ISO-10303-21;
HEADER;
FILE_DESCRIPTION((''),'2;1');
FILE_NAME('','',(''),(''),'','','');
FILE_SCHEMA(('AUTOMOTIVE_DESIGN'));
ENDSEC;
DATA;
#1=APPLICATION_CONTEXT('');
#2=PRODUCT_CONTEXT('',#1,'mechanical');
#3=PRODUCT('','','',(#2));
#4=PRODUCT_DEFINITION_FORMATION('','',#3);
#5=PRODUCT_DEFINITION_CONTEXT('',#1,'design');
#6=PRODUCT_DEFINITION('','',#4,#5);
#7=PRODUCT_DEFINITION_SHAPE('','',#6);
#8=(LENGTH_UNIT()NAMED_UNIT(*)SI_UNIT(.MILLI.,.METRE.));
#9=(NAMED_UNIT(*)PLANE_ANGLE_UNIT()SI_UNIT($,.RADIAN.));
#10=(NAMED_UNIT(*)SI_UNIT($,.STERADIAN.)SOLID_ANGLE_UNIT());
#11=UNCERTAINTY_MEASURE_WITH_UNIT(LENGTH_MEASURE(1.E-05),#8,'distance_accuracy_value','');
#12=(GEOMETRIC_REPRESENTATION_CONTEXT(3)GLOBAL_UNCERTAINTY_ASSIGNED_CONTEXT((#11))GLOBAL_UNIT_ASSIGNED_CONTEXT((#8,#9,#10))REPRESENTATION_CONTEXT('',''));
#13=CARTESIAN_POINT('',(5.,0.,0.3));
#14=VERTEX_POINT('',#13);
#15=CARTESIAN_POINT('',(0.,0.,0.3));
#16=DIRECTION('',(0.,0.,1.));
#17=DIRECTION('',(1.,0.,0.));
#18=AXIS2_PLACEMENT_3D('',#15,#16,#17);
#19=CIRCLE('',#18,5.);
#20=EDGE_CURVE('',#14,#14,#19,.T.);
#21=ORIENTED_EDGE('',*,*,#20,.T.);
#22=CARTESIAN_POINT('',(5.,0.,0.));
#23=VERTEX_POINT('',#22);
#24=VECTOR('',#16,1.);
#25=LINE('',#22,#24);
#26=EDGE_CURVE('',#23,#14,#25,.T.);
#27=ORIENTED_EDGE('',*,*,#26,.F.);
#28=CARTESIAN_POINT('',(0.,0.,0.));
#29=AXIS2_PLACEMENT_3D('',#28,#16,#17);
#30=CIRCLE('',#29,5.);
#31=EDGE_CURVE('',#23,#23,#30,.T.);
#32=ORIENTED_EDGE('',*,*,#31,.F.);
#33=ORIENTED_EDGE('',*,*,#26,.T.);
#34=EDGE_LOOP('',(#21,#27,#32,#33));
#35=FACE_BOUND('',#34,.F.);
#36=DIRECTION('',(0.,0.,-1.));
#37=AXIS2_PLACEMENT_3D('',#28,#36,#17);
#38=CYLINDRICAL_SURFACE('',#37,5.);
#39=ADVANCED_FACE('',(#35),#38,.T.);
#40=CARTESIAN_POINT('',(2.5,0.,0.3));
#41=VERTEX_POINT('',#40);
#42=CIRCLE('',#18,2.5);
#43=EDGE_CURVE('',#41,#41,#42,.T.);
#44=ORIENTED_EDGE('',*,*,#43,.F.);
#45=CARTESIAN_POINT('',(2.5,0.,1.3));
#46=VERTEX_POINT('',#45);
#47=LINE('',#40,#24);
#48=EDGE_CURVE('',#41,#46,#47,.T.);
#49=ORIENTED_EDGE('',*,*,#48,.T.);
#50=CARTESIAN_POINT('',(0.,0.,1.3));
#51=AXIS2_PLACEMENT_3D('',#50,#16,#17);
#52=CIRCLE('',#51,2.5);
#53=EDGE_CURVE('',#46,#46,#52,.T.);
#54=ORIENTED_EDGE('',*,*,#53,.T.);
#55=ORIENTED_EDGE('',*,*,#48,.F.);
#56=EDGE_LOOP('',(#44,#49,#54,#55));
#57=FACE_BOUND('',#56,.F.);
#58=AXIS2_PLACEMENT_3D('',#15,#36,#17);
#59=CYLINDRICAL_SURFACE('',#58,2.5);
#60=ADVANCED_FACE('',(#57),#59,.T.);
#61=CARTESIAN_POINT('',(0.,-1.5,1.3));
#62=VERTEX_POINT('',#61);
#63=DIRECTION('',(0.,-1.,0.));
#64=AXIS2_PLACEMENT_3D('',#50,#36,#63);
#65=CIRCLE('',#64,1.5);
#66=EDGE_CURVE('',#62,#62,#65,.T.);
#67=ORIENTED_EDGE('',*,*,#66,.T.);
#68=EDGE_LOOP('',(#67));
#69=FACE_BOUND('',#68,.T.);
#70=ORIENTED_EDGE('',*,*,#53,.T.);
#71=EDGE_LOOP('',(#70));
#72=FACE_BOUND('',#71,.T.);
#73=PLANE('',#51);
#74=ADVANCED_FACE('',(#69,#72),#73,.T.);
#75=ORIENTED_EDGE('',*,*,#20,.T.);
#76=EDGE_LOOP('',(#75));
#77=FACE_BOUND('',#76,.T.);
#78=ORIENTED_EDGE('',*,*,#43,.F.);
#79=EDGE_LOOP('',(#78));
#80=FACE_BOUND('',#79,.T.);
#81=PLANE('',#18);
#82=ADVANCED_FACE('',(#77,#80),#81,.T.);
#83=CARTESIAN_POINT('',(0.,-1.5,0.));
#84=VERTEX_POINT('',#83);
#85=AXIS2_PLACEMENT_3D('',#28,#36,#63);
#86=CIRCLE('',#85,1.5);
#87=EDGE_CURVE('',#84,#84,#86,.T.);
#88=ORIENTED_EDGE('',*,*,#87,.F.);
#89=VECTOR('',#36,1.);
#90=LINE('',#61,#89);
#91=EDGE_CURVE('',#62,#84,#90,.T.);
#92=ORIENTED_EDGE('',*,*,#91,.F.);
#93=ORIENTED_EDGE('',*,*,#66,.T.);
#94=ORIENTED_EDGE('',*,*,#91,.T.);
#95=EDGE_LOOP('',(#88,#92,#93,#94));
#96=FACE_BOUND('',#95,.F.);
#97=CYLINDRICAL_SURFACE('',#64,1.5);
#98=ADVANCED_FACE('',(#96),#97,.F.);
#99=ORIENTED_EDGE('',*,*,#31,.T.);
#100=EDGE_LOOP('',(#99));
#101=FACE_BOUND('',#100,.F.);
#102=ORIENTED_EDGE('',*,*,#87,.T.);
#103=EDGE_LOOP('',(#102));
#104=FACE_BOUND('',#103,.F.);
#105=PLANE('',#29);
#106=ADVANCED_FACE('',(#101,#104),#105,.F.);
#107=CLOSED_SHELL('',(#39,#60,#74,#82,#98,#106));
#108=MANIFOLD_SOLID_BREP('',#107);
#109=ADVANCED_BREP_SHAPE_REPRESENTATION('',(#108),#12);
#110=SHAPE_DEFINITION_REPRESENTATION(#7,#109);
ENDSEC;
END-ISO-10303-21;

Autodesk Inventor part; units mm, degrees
ref_plane "YZ Plane" through (0, 0, 0) normal (1, 0, 0) x (0, 1, 0)
ref_plane "XZ Plane" through (0, 0, 0) normal (0, 1, 0) x (-1, 0, 0)
ref_plane "XY Plane" through (0, 0, 0) normal (0, 0, 1) x (1, 0, 0)
sketch "スケッチ1" plane through (0, 0, 0) normal (0, 0, 1) x (1, 0, 0)
  circle A0 centre (0, 0) radius 5
  dimension "d0" = 10
extrude "押し出し1" add sketch "スケッチ1" along normal blind 0.3
sketch "スケッチ2" plane through (0, 0, 0.3) normal (0, 0, 1) x (1, 0, 0)
  circle A0 centre (0, 0) radius 2.5
  dimension "d3" = 5
extrude "押し出し2" add sketch "スケッチ2" along normal blind 1
sketch "スケッチ3" plane through (0, 0, 1.3) normal (0, 0, 1) x (1, 0, 0)
  point P0 (0, 0)
  point P1 (0, 0)
hole "穴1" at (0, 0, 1.3) direction (0, 0, -1) diameter 3 end through all
properties part number "Φ3軸用プッシュナット"
